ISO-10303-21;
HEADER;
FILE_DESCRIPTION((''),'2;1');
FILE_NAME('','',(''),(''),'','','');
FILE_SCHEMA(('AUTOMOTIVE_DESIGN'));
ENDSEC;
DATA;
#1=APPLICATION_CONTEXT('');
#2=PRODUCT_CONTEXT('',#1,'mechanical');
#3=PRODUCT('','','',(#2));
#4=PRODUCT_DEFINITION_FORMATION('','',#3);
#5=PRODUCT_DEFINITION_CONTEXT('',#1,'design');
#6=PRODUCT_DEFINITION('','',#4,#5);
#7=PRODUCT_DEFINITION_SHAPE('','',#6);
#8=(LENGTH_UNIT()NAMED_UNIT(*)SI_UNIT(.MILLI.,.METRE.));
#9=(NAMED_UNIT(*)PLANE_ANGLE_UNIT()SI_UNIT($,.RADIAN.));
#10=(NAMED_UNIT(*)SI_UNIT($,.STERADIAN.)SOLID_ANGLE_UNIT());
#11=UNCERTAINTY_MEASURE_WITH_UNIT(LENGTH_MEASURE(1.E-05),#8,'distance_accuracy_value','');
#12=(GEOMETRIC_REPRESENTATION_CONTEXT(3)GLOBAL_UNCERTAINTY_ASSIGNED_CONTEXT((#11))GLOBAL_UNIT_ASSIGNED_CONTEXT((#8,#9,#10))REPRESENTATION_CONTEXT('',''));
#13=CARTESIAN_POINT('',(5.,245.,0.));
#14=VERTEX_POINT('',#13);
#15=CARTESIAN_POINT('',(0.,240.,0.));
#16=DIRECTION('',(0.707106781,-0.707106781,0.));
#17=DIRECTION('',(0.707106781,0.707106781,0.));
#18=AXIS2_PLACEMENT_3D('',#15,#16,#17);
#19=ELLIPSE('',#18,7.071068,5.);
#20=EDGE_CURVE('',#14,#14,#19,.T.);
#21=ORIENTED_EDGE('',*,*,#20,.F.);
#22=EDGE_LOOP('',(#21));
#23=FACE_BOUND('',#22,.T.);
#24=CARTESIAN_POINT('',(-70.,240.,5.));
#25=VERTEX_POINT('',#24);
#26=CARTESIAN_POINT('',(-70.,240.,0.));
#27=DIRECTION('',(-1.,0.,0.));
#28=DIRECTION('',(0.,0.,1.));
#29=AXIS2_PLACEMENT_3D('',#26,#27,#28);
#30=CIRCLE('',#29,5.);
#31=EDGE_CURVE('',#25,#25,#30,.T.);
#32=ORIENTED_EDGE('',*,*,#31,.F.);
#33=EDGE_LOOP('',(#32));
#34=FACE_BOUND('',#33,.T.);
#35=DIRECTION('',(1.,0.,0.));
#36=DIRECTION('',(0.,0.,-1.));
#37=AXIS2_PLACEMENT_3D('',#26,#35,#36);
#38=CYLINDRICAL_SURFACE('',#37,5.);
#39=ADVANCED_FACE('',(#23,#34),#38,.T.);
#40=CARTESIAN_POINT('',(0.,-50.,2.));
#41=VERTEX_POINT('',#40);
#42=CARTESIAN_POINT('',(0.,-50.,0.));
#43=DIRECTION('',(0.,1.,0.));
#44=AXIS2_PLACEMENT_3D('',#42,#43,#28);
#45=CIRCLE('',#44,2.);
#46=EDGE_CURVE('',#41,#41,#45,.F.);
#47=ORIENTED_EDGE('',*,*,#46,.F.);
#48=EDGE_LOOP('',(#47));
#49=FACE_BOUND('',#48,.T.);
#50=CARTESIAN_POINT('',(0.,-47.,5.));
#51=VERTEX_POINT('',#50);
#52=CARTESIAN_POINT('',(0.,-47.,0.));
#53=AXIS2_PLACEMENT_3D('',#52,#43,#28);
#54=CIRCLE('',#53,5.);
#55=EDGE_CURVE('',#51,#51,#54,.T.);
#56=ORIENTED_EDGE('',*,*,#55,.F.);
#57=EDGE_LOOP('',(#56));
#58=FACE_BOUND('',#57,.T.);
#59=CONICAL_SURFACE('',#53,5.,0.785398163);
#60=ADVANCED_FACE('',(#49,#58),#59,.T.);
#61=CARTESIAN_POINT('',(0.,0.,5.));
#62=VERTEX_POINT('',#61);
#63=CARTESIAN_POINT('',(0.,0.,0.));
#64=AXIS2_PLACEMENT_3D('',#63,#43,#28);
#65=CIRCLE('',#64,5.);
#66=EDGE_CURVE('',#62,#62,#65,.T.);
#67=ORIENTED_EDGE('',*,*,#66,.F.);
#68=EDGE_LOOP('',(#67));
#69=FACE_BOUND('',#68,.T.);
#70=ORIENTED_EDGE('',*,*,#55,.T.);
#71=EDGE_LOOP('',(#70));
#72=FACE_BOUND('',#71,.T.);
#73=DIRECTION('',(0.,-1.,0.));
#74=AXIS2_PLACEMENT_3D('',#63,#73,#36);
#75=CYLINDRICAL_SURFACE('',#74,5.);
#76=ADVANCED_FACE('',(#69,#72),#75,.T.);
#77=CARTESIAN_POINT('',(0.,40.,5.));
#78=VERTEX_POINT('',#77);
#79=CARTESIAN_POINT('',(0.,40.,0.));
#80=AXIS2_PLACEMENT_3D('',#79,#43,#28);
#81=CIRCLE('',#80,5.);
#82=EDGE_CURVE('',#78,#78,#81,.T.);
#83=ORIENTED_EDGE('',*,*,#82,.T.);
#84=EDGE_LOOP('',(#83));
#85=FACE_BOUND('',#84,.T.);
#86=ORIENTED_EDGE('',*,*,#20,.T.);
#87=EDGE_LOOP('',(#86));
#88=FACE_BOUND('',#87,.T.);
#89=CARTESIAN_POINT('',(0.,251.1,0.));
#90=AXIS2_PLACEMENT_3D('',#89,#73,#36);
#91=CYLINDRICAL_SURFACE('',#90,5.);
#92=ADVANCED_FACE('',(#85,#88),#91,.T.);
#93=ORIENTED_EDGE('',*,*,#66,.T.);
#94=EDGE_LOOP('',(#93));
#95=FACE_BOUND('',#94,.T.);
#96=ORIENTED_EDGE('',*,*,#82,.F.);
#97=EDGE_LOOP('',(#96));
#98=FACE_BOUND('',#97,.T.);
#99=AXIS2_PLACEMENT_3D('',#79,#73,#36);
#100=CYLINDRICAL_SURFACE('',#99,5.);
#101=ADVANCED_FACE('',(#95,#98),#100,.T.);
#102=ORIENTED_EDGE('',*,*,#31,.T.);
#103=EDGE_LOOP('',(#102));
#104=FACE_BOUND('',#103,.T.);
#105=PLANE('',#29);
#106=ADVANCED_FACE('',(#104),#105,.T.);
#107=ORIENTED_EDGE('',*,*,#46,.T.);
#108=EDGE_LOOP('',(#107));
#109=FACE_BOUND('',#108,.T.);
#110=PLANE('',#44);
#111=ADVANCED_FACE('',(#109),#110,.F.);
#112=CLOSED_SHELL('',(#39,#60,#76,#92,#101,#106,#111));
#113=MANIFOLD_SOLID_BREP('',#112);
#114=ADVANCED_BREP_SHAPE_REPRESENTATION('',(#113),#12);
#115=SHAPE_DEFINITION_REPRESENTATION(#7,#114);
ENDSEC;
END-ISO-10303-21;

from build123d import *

# Parameters (mm, degrees)
SKETCH_2_R     = 5
CHAMFER_1_SIZE = 3


with BuildPart() as part:
    # По траектории1: sweep along a path in Эскиз1
    with BuildLine(Plane.XY) as sweep_1_path:
        Line((-70, 240), (0, 240))
        Line((0, 240), (0, 40))
        Line((0, 40), (0, 0))
        Line((0, 0), (0, -50))
    # Эскиз2 → По траектории1 (sweep)
    with BuildSketch(Plane(origin=(0, -50, 0), x_dir=(1, 0, 0), z_dir=(0, 1, 0))):
        Circle(SKETCH_2_R)
    sweep(path=sweep_1_path.line, transition=Transition.RIGHT)

    # Фаска1
    chamfer_1_edges = [part.edges().sort_by_distance(p)[0] for p in [
        (-5, -50, 0),
    ]]
    chamfer(chamfer_1_edges, length=CHAMFER_1_SIZE)


solid = part.part
